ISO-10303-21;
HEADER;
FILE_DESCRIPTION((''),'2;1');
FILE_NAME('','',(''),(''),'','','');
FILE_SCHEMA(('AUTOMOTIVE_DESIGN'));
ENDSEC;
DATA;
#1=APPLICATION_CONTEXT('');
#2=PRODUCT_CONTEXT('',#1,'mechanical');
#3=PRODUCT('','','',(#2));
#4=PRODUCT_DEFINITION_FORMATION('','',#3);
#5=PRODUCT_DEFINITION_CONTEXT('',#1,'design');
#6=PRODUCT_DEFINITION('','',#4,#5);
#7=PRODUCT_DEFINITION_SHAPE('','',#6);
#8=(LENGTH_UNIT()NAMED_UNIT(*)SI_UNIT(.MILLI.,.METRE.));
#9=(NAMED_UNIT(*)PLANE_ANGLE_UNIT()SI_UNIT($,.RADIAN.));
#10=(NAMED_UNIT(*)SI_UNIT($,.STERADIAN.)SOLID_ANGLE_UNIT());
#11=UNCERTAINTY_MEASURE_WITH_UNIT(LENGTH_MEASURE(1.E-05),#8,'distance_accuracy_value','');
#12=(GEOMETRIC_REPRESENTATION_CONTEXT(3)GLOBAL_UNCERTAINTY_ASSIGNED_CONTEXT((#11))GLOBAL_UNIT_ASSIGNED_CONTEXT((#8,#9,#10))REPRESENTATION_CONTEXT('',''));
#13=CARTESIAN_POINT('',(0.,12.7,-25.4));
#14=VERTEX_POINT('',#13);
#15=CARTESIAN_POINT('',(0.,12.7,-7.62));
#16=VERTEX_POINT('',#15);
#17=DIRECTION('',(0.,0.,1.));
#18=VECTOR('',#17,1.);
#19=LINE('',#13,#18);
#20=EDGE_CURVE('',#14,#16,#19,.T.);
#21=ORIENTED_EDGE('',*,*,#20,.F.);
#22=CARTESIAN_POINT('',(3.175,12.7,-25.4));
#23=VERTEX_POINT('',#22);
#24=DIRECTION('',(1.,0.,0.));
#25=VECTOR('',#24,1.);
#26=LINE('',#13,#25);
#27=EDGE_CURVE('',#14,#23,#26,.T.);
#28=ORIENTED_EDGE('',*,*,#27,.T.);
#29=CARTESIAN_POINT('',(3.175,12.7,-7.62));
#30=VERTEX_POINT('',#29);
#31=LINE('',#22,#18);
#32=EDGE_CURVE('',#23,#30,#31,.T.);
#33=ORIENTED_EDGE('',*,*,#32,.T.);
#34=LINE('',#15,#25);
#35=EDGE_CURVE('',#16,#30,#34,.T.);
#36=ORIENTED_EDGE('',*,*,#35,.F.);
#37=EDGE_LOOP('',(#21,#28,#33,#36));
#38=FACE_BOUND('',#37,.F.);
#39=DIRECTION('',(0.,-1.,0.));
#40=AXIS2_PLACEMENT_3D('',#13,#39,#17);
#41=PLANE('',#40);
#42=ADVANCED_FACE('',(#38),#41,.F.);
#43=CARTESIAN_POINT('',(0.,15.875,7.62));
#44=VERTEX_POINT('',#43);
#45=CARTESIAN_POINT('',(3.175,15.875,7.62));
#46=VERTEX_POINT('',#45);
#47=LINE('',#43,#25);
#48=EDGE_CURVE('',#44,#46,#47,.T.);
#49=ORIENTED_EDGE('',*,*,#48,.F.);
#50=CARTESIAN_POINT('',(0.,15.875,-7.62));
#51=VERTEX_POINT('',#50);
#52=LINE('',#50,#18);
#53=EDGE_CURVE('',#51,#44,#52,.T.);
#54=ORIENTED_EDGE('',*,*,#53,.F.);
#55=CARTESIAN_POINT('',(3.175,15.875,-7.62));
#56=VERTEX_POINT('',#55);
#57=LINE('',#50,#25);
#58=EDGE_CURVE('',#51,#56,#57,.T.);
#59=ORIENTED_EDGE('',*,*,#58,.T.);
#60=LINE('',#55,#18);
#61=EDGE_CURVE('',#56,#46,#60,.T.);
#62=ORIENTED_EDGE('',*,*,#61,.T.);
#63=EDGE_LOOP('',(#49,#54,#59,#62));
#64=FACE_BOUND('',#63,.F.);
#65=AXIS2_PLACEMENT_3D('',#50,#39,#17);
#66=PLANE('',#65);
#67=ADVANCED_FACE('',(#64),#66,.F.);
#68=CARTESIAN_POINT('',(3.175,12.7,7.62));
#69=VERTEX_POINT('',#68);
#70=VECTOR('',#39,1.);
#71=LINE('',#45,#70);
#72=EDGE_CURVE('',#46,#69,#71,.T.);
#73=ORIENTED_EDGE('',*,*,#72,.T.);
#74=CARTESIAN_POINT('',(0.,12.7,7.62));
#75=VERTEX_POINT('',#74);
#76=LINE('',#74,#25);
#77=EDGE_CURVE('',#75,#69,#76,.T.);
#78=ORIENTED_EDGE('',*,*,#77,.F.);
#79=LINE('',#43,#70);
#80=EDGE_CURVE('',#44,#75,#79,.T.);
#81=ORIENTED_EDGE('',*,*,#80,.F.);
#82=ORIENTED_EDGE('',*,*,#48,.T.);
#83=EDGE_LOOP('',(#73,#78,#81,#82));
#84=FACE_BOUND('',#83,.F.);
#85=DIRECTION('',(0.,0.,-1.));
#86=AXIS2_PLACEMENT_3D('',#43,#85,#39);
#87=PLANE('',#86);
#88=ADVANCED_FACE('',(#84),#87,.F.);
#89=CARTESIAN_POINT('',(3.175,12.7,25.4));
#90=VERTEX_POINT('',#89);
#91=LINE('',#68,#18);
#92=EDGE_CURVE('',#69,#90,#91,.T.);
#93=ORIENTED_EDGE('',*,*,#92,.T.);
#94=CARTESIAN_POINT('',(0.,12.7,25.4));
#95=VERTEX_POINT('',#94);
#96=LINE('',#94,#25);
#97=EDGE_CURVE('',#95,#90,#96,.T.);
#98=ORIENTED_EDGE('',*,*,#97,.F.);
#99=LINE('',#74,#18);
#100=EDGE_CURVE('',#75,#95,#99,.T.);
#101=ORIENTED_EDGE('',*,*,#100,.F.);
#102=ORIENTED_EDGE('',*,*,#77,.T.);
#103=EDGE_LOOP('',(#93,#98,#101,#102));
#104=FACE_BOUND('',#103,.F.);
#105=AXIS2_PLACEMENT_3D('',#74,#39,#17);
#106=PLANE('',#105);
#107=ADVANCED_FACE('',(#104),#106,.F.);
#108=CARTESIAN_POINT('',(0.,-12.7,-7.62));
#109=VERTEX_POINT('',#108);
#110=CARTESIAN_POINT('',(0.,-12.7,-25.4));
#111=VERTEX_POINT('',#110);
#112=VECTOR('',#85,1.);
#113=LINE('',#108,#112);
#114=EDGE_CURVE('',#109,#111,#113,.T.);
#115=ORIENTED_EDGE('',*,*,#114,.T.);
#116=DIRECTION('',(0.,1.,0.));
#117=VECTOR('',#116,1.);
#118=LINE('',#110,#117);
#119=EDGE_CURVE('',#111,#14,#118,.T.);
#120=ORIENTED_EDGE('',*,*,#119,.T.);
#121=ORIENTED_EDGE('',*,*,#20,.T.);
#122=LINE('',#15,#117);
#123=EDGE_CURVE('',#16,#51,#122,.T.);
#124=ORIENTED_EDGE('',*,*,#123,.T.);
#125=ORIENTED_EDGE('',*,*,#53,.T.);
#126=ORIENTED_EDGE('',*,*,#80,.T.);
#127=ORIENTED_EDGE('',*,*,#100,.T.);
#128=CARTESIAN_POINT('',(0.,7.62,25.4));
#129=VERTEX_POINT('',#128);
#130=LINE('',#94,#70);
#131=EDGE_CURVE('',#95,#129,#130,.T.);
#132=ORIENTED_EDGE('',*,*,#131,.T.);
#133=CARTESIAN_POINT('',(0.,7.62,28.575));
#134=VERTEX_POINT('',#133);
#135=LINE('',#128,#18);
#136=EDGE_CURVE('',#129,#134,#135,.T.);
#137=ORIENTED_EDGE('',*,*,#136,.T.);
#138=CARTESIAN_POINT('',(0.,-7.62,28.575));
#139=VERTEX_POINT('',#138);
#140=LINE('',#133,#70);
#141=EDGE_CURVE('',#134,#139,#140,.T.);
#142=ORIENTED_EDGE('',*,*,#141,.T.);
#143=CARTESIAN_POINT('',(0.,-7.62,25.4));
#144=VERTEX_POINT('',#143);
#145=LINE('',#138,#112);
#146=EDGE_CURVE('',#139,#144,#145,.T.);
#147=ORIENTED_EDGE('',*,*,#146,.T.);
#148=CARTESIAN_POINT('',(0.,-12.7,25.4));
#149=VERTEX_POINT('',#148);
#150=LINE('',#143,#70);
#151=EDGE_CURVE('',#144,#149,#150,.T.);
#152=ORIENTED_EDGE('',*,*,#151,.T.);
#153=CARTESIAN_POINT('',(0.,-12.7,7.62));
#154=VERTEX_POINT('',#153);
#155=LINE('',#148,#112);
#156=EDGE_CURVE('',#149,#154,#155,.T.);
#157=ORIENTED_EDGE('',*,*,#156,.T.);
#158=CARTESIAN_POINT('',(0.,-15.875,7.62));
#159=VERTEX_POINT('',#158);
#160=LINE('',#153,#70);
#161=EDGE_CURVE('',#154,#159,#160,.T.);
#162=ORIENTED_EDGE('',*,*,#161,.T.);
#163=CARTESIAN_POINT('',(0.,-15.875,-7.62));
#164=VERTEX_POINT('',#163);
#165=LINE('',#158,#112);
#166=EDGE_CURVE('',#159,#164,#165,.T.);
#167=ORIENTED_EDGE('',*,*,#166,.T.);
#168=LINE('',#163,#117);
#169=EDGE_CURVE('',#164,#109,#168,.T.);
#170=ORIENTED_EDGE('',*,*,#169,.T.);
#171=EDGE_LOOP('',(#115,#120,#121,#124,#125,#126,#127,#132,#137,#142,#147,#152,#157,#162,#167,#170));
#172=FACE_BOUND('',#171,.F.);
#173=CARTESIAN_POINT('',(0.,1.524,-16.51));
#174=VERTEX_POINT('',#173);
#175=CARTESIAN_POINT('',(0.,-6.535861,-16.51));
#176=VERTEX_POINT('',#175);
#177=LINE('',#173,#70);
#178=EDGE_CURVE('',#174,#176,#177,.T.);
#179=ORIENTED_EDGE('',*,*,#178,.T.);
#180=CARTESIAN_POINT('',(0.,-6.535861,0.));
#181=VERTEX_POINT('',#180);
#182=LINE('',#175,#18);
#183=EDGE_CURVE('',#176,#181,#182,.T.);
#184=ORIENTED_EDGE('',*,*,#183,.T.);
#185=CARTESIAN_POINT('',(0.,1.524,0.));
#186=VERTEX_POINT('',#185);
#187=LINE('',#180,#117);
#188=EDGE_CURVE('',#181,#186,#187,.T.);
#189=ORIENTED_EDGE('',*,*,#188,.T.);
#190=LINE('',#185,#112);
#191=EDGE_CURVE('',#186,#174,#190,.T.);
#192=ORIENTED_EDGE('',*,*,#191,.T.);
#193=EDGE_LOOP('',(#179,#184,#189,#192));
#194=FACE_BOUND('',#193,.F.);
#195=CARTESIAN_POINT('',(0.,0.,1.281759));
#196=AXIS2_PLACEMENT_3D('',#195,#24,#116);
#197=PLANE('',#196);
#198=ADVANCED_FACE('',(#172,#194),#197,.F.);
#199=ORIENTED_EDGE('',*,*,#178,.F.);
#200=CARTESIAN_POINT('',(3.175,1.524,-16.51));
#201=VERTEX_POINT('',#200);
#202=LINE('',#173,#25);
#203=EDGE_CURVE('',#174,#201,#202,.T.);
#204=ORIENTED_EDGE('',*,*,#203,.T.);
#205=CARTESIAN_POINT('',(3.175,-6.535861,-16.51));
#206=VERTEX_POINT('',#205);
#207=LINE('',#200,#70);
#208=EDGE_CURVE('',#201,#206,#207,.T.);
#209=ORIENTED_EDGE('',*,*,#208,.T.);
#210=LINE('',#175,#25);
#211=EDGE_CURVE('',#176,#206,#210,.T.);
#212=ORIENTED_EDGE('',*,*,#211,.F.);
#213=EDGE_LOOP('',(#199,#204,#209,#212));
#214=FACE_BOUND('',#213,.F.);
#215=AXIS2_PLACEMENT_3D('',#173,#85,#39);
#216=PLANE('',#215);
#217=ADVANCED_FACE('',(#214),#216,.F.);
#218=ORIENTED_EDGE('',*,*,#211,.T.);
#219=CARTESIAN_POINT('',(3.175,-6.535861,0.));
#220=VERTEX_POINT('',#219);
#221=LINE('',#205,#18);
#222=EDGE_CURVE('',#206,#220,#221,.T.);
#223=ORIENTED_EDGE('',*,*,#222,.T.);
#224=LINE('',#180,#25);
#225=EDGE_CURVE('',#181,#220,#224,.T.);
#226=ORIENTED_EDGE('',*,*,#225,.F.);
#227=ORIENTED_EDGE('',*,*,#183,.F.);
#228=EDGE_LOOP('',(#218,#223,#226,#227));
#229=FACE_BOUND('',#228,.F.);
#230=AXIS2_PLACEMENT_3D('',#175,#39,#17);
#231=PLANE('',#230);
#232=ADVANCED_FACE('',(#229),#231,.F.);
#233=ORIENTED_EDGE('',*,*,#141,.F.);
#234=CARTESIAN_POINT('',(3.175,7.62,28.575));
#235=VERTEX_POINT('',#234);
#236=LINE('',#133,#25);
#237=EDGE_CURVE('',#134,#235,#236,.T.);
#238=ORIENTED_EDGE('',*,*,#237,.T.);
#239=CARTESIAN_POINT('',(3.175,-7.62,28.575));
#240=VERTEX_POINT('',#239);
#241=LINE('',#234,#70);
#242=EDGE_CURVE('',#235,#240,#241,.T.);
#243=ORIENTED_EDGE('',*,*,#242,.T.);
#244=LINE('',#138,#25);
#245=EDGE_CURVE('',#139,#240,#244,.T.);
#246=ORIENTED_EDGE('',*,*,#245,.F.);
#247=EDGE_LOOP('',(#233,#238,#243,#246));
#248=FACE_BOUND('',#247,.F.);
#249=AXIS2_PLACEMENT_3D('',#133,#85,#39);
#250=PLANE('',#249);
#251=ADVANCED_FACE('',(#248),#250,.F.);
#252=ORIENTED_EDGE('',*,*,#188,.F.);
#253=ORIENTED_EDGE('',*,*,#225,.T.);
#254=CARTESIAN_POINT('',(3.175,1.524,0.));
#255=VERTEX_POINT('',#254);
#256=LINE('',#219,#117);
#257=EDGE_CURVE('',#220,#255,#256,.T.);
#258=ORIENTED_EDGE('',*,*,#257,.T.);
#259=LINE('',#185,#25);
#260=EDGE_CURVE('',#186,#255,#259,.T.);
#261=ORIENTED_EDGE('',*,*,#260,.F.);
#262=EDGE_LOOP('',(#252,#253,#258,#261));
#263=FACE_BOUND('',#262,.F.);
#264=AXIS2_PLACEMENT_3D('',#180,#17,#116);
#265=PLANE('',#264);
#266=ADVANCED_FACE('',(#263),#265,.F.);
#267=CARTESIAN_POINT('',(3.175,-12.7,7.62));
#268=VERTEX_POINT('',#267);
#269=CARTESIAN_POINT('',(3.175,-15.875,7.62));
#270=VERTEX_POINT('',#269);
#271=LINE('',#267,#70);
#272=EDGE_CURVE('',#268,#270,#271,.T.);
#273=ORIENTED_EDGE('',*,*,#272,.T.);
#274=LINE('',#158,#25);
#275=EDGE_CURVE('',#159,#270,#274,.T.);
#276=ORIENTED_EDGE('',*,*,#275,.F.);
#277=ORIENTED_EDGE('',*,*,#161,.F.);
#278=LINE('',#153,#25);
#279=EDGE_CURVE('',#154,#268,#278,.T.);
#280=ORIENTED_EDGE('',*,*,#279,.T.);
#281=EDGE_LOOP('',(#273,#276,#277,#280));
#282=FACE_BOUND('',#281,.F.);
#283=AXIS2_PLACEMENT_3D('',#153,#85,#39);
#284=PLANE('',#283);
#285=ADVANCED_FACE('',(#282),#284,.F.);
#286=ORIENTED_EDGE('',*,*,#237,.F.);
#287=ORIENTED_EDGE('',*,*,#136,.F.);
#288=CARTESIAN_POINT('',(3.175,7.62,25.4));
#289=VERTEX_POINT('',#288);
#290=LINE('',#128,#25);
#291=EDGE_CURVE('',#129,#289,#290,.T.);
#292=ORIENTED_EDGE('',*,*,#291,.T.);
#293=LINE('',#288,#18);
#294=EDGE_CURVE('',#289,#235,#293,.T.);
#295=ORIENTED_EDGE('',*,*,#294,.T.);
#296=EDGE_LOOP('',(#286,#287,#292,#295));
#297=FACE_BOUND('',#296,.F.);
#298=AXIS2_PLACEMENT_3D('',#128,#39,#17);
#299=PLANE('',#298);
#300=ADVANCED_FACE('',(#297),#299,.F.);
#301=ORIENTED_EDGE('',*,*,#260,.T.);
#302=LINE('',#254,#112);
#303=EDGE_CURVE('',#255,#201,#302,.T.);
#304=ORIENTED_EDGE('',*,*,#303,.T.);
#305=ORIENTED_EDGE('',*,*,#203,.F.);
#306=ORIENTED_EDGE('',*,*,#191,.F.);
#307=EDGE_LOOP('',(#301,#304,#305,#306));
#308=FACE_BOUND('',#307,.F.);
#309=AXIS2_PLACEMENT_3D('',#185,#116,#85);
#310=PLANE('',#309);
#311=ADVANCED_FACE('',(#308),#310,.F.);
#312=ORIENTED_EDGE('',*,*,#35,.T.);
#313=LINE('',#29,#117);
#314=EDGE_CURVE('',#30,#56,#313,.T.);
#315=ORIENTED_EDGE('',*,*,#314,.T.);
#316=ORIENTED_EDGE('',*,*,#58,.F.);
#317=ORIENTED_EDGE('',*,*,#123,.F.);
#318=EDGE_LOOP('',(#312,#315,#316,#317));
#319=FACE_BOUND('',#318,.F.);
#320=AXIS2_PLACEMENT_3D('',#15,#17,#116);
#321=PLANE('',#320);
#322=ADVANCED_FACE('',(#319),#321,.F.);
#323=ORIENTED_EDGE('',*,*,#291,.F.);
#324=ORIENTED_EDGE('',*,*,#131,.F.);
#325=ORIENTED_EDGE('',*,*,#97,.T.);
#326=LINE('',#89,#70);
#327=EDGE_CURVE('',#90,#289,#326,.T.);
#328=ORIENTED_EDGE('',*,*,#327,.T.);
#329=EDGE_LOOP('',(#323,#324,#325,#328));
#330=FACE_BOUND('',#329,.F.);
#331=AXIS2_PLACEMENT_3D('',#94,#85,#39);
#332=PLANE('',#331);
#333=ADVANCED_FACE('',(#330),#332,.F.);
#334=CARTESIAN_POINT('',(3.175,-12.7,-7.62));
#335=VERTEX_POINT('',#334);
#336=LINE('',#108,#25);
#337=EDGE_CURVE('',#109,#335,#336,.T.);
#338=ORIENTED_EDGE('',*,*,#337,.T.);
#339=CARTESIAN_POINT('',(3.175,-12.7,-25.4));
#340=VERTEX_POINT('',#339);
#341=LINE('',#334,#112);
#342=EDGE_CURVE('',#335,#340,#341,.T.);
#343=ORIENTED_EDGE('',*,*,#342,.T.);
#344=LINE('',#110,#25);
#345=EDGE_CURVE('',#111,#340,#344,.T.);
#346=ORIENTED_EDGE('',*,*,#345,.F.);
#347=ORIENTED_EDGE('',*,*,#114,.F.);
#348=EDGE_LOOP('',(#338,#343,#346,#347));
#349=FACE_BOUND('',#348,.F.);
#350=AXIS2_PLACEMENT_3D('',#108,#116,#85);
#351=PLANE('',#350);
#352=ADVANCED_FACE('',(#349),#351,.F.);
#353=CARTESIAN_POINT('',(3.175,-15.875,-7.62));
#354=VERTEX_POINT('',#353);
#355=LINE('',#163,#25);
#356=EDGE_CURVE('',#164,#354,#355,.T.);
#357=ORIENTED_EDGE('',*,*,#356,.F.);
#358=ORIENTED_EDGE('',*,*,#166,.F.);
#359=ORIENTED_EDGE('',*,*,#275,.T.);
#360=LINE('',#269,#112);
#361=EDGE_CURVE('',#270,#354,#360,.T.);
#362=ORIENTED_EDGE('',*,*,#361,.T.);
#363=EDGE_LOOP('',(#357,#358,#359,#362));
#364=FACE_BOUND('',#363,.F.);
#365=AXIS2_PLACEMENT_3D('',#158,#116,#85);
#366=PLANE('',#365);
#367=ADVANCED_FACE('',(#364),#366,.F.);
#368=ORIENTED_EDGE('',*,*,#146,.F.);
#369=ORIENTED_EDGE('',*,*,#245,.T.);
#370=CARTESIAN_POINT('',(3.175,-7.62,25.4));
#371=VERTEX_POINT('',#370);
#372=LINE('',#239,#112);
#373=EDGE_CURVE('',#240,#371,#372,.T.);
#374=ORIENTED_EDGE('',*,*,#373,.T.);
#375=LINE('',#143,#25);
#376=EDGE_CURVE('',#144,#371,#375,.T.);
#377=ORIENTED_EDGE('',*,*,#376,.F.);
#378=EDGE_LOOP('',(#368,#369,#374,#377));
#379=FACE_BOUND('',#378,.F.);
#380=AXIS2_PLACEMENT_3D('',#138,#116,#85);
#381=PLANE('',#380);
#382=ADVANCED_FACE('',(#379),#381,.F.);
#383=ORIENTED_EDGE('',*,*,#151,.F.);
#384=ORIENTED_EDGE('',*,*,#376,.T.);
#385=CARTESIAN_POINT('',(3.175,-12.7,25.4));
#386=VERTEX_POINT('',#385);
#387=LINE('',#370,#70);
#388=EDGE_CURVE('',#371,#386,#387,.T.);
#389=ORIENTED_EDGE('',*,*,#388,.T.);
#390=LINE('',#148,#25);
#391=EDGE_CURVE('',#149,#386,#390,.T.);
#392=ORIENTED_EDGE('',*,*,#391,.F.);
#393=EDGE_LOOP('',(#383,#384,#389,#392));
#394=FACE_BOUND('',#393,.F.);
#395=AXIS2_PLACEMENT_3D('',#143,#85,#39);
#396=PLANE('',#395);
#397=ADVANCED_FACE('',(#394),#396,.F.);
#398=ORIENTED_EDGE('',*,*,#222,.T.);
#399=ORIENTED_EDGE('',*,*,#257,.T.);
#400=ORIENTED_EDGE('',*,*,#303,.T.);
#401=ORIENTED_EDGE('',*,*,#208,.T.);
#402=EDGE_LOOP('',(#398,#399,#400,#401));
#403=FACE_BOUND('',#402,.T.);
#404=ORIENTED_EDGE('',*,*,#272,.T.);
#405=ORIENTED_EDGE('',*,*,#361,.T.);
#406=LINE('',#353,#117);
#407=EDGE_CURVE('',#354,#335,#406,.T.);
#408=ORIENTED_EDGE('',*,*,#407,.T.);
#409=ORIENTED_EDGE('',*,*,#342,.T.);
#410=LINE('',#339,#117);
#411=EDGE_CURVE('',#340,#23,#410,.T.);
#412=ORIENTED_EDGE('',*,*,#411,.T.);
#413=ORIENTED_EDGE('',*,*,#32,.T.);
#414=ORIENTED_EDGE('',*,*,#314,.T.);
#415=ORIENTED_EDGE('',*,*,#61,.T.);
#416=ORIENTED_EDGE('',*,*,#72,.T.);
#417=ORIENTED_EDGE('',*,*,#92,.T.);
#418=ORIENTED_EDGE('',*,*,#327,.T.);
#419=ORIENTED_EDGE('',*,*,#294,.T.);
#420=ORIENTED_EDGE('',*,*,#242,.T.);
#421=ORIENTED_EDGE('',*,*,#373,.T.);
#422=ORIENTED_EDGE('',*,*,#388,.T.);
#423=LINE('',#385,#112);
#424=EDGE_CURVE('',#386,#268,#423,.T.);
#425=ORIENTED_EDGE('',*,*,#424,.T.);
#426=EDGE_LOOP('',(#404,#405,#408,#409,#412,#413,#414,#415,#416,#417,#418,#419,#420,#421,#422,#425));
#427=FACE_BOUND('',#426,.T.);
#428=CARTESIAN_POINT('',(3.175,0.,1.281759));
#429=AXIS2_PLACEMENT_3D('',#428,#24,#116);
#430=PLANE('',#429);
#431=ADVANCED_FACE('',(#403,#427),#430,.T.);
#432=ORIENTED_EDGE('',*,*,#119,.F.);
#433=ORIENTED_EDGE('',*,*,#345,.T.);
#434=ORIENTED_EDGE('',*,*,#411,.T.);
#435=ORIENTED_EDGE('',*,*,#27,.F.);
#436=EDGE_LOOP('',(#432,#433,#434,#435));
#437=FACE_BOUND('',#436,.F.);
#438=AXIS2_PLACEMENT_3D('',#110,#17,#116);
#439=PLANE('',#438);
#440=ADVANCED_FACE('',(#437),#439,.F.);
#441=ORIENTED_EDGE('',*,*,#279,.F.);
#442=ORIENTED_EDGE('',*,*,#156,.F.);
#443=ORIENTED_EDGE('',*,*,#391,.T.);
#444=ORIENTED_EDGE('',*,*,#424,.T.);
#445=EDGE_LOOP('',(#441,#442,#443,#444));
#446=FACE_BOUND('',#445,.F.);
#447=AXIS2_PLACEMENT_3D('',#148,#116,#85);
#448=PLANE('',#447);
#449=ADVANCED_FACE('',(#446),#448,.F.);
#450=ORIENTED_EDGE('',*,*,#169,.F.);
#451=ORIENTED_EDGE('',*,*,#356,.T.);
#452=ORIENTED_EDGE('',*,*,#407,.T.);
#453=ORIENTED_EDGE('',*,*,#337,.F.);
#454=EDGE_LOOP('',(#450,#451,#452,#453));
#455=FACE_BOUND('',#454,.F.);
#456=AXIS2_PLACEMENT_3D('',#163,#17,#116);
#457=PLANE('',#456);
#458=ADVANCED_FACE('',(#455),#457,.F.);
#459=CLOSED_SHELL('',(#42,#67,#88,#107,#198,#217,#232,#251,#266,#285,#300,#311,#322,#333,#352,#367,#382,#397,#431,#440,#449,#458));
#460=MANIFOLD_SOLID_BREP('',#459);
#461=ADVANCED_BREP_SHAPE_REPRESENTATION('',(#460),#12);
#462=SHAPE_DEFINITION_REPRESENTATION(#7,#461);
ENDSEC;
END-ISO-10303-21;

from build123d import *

# Parameters (mm, degrees)
F1_DEPTH = 3.175


with BuildPart() as f1:
    # F0 (on Right) → F1 (new body)
    with BuildSketch(Plane.YZ):
        Polygon((-12.7, -7.62), (-12.7, -25.4), (12.7, -25.4), (12.7, -7.62), (15.875, -7.62), (15.875, 7.62), (12.7, 7.62), (12.7, 25.4), (7.62, 25.4), (7.62, 28.575), (-7.62, 28.575), (-7.62, 25.4), (-12.7, 25.4), (-12.7, 7.62), (-15.875, 7.62), (-15.875, -7.62), align=None)
        Polygon((0, 0), (1.524, 0), (1.524, -16.51), (0.316484, -16.51), (-6.535861, -16.51), (-6.535861, 0), align=None, mode=Mode.SUBTRACT)
    extrude(amount=F1_DEPTH)


solid = f1.part
